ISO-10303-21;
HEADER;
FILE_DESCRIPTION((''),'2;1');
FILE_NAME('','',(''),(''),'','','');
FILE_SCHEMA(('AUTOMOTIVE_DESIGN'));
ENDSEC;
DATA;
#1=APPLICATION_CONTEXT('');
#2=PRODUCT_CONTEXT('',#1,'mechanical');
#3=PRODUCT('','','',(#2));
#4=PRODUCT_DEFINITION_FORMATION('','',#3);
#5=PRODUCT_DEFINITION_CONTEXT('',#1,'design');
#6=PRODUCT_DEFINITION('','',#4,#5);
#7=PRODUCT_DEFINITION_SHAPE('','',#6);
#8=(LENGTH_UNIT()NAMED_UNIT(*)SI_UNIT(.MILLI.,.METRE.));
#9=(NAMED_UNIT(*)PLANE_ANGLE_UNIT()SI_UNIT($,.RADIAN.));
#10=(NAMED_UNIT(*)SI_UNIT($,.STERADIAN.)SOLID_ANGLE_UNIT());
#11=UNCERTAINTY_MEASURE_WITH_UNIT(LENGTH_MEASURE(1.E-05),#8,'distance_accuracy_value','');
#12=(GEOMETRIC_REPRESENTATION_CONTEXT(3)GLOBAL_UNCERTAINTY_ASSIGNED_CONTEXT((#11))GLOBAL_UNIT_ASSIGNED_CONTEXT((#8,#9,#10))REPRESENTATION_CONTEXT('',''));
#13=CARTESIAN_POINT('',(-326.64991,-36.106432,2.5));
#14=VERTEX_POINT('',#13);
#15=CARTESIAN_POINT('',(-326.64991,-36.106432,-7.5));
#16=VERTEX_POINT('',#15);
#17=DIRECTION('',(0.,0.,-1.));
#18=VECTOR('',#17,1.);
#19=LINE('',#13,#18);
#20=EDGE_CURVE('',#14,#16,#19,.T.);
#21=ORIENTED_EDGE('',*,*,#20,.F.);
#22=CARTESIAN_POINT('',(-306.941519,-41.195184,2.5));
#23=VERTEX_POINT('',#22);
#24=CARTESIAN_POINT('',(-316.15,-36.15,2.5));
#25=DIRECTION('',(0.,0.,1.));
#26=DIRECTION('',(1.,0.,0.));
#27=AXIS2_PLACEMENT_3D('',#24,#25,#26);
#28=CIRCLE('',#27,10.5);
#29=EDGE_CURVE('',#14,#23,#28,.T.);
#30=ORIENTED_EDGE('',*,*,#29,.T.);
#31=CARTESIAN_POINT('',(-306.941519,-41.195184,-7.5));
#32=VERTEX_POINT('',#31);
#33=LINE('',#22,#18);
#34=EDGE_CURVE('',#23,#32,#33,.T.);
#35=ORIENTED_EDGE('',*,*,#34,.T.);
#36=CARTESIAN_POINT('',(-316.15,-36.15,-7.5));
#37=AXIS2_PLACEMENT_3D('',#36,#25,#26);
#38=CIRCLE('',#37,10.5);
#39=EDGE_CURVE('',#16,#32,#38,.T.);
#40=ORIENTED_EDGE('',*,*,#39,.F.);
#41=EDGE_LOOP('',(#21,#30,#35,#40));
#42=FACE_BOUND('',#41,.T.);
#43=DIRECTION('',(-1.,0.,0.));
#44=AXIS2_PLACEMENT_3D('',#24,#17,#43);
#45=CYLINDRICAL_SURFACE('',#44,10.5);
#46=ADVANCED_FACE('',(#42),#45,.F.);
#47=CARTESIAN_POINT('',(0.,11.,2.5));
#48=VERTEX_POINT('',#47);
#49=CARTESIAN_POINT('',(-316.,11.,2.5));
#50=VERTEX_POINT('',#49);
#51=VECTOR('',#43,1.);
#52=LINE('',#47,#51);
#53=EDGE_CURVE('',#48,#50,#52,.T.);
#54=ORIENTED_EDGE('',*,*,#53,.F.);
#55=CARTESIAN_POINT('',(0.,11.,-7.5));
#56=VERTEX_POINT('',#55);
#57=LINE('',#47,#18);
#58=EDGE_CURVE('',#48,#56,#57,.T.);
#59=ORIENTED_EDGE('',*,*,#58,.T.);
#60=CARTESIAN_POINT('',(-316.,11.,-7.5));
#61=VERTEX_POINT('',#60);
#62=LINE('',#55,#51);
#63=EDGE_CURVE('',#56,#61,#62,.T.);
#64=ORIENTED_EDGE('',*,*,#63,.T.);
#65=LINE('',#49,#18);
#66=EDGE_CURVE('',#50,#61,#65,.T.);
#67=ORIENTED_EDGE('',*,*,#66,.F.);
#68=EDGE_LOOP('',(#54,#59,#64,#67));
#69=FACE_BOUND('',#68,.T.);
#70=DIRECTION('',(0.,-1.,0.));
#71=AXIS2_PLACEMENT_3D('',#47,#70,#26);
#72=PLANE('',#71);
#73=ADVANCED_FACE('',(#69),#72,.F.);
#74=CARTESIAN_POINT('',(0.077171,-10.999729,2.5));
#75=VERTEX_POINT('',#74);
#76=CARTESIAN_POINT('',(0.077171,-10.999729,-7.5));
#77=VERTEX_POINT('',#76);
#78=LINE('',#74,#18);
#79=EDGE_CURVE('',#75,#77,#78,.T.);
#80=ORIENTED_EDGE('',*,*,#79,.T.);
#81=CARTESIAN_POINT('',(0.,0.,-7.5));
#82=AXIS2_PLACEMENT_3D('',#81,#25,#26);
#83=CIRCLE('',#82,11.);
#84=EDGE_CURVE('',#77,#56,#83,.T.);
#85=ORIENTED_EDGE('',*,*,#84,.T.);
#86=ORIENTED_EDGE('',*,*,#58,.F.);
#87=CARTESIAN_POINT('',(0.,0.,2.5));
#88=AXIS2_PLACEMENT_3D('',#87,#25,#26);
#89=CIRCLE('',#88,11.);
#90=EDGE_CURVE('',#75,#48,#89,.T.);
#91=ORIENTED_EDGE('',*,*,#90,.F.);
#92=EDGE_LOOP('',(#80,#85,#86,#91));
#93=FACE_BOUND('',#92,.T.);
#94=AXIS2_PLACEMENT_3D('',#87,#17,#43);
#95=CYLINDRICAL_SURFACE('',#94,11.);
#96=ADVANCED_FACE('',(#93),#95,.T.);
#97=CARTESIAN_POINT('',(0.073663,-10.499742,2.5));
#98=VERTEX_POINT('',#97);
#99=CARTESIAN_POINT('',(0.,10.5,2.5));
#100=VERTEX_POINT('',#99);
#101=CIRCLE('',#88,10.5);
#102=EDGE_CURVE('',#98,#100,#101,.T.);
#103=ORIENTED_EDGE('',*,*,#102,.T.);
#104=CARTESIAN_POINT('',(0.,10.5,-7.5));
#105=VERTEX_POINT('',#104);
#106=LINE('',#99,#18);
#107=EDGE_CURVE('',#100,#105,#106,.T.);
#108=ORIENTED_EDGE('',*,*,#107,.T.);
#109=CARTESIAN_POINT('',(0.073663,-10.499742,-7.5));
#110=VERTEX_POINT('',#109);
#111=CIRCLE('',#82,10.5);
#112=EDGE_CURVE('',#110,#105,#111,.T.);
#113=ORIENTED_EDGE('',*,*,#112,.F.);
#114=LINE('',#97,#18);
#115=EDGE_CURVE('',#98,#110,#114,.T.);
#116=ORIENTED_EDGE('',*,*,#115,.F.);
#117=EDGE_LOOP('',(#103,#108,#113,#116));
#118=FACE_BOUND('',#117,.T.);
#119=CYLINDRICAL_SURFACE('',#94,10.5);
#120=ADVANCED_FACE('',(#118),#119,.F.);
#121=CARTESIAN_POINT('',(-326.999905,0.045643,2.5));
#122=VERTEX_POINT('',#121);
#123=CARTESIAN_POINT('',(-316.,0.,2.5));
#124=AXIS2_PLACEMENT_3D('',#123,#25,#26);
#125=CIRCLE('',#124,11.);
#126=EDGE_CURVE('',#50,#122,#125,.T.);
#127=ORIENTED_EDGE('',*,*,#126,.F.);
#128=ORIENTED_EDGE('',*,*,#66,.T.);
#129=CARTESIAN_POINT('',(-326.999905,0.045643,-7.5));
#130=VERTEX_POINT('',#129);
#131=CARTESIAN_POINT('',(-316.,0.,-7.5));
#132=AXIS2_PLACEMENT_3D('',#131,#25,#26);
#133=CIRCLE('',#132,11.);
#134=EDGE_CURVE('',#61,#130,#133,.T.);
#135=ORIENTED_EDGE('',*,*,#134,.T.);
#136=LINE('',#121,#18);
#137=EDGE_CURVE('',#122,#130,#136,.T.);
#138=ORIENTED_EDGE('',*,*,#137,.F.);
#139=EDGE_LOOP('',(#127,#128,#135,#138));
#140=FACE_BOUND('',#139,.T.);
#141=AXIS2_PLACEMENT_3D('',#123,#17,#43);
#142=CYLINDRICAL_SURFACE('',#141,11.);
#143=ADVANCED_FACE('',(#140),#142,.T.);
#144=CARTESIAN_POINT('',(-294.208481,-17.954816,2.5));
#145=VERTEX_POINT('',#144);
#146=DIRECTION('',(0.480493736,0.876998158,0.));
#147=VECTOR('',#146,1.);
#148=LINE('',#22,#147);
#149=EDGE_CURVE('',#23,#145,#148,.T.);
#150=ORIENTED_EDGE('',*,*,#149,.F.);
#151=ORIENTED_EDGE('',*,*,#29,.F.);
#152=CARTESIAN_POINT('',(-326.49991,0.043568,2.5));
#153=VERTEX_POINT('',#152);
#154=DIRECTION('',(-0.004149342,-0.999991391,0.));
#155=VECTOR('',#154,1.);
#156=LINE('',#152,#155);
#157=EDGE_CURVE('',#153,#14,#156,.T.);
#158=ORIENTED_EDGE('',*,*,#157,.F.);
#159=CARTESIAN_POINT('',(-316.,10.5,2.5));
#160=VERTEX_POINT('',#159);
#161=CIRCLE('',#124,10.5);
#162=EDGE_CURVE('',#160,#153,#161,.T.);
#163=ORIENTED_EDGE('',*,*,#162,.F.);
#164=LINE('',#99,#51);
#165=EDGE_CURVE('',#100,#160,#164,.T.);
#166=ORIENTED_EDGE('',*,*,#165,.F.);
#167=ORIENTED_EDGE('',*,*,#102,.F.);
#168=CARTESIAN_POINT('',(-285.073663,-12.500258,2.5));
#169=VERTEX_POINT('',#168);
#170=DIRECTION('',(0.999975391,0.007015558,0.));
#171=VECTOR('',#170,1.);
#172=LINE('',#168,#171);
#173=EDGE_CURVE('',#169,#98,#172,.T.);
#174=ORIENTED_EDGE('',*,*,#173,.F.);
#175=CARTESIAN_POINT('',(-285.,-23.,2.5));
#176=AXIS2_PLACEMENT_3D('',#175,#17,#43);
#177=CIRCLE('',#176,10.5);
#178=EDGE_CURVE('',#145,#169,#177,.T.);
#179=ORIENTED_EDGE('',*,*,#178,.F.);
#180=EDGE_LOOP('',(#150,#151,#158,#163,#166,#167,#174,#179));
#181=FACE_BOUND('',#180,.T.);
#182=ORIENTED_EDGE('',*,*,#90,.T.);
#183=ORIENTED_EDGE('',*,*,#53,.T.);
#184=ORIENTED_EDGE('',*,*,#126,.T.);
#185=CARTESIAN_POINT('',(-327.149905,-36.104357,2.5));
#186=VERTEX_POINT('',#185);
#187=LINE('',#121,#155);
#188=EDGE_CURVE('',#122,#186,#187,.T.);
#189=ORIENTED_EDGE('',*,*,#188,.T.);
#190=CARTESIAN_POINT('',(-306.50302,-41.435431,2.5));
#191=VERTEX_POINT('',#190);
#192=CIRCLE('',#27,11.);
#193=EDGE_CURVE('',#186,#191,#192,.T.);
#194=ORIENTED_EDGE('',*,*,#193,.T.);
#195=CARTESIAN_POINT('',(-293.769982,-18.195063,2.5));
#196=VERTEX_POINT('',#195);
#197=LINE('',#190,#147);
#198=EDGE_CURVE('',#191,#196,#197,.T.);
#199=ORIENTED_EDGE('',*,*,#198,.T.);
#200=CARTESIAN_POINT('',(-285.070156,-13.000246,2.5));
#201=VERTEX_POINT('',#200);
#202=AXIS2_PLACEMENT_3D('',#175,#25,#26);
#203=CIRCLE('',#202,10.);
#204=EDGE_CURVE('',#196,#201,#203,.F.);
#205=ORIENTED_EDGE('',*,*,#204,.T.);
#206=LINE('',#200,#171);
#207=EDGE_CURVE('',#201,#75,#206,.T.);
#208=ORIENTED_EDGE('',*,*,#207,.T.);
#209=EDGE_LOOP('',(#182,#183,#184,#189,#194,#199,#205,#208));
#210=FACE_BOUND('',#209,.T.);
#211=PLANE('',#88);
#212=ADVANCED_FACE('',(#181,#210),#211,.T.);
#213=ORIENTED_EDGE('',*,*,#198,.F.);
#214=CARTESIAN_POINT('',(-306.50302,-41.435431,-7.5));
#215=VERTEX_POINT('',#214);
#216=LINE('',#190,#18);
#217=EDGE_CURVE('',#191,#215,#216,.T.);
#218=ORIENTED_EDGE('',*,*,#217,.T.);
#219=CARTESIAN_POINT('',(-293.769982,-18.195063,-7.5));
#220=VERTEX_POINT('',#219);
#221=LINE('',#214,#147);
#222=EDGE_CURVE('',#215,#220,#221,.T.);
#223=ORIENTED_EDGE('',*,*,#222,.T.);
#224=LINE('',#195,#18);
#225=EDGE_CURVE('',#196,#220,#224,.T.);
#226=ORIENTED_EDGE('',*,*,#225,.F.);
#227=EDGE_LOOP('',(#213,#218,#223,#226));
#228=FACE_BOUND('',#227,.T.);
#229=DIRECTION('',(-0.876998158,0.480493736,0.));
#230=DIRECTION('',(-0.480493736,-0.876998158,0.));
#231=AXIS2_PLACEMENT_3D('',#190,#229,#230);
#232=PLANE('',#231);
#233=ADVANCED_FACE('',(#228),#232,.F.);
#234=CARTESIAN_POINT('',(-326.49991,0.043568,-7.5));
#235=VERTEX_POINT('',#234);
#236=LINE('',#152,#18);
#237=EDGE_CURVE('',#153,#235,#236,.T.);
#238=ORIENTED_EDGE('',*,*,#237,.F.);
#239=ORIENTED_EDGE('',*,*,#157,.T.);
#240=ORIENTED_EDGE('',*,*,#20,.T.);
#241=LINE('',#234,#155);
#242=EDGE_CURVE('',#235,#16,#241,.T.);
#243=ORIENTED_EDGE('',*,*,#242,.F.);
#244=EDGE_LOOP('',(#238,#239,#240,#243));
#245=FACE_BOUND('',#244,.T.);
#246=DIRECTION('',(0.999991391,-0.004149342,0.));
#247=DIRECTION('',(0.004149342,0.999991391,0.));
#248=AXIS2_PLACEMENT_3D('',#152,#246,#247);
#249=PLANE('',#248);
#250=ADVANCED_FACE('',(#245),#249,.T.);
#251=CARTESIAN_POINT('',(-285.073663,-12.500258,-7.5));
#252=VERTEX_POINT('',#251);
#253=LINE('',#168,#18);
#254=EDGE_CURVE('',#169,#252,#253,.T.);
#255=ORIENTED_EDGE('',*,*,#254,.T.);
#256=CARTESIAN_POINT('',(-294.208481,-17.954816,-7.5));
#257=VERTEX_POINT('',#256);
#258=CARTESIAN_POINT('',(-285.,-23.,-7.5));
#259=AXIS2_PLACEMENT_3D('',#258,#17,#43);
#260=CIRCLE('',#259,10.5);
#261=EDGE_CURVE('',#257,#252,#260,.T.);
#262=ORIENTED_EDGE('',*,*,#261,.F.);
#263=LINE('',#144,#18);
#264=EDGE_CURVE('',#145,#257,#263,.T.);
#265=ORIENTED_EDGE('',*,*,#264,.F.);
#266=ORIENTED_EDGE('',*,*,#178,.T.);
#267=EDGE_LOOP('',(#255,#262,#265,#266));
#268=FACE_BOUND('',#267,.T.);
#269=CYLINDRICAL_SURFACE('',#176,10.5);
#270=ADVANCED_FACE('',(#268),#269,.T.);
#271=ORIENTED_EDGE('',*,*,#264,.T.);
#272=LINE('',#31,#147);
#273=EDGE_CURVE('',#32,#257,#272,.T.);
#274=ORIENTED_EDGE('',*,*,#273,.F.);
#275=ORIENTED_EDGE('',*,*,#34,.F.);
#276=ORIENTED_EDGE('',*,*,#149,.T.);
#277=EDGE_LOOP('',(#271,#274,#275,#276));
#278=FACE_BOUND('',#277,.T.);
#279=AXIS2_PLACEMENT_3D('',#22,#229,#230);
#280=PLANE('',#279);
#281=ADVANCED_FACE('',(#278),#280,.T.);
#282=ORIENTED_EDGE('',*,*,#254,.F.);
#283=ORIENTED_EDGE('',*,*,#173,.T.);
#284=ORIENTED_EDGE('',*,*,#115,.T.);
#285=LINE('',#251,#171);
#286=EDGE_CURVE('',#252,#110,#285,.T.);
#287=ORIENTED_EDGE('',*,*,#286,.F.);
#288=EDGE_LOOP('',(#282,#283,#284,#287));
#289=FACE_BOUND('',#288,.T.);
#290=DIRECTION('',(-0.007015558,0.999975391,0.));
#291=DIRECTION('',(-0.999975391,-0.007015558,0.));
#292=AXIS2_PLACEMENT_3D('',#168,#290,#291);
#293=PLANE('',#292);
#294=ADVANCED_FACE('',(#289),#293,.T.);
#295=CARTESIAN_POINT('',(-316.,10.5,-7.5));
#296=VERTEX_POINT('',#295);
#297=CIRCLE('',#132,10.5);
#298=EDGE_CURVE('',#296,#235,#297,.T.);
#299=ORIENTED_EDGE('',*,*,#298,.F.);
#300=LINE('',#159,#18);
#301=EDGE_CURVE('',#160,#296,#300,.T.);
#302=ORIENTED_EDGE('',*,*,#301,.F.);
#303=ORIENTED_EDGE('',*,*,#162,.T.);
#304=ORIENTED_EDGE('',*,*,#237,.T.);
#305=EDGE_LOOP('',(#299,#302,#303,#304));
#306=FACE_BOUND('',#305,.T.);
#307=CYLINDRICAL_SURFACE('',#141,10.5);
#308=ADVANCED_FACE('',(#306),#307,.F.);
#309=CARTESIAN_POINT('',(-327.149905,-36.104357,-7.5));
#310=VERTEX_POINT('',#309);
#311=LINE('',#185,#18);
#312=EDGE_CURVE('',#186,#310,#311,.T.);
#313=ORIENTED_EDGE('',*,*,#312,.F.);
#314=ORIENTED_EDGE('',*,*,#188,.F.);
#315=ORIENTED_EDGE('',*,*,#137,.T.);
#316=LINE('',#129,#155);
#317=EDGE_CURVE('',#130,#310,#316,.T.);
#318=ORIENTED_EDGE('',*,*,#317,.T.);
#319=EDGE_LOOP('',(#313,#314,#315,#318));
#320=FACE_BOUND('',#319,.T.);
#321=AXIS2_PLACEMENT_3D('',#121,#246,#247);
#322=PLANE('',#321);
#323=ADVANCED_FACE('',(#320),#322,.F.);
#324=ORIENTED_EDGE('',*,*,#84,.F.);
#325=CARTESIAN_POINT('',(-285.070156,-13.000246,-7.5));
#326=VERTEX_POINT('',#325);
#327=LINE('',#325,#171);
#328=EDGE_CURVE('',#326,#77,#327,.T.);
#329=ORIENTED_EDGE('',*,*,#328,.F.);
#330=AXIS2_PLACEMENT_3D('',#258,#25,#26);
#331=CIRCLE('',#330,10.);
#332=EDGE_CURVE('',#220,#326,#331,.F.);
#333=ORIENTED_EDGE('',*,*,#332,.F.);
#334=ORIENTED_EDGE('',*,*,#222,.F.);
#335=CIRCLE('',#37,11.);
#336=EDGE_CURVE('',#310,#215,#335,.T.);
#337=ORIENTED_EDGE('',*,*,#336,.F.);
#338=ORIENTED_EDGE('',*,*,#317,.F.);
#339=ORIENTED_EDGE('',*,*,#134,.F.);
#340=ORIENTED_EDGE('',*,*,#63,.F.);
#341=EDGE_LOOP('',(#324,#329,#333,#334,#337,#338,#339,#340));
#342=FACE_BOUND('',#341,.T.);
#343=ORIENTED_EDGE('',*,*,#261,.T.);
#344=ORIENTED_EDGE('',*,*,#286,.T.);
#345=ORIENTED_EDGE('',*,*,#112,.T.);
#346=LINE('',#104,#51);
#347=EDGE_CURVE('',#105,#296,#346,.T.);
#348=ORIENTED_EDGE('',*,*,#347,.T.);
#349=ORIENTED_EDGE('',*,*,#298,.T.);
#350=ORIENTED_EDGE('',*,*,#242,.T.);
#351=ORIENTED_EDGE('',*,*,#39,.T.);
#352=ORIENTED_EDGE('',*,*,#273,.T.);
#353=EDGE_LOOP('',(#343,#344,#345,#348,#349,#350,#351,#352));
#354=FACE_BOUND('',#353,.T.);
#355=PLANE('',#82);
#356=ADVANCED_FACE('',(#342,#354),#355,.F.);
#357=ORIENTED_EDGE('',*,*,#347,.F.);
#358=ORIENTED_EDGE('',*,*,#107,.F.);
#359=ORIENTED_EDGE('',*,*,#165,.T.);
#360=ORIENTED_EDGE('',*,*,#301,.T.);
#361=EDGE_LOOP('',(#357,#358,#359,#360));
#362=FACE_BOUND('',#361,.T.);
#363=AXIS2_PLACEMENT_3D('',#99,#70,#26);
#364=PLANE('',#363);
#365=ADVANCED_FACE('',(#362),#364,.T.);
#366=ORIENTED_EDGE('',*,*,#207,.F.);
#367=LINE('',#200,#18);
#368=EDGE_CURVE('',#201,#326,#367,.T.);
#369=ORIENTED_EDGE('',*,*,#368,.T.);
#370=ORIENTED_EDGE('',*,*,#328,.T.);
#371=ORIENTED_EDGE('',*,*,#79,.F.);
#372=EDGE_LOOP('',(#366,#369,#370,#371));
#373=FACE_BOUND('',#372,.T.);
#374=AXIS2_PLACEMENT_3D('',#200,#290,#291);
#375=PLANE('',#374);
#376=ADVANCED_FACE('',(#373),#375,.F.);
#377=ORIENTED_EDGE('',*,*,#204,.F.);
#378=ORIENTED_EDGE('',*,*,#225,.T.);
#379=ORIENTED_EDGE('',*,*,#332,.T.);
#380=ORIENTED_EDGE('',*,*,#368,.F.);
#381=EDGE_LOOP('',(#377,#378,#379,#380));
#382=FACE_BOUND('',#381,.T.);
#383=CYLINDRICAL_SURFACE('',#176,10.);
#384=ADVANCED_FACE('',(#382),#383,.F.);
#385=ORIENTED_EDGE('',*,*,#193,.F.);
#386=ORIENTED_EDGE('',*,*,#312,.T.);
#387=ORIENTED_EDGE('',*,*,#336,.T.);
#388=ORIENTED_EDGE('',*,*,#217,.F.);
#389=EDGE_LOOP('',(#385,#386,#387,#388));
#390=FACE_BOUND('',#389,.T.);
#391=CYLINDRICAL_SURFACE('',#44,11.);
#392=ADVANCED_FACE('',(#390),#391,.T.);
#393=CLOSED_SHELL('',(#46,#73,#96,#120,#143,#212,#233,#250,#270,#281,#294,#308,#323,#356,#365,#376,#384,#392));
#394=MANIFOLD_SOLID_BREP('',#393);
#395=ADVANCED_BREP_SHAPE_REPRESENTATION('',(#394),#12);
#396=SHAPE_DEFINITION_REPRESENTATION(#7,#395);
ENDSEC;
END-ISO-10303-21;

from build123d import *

# Parameters (mm, degrees)
EXTRUDE_THIN1_START = -2.5
EXTRUDE_THIN1_DEPTH = 5


with BuildPart() as part:
    # Sketch2 → Extrude-Thin1 (new, symmetric)
    with BuildSketch(Plane.XY.offset(EXTRUDE_THIN1_START)):
        with BuildLine():
            Line((-285.070155578, -13.000246093), (0.077171136, -10.999729297))
            ThreePointArc((0.077171136, -10.999729297), (10.999932323, 0.038585806), (0, 11))
            Line((0, 11), (-316, 11))
            ThreePointArc((-316, 11), (-323.762020666, 7.794295041), (-326.999905306, 0.045642761))
            Line((-326.999905306, 0.045642761), (-327.149905306, -36.104357239))
            ThreePointArc((-327.149905306, -36.104357239), (-318.900034366, -46.800695329), (-306.503020259, -41.435431097))
            Line((-306.503020259, -41.435431097), (-293.769981583, -18.195062639))
            ThreePointArc((-293.769981583, -18.195062639), (-290.126747116, -14.414170744), (-285.070155578, -13.000246093))
        make_face()
        with BuildLine():
            Line((-285.073663357, -12.500258398), (0.073663357, -10.499741602))
            ThreePointArc((0.073663357, -10.499741602), (10.499935399, 0.036831905), (0, 10.5))
            Line((0, 10.5), (-316, 10.5))
            ThreePointArc((-316, 10.5), (-323.409201545, 7.440008903), (-326.49990961, 0.04356809))
            Line((-326.49990961, 0.04356809), (-326.64990961, -36.10643191))
            ThreePointArc((-326.64990961, -36.10643191), (-318.775032804, -46.316572814), (-306.941519338, -41.195184229))
            Line((-306.941519338, -41.195184229), (-294.208480662, -17.954815771))
            ThreePointArc((-294.208480662, -17.954815771), (-290.383084472, -13.984879282), (-285.073663357, -12.500258398))
        make_face(mode=Mode.SUBTRACT)
    extrude(amount=EXTRUDE_THIN1_DEPTH, both=True)


solid = part.part
